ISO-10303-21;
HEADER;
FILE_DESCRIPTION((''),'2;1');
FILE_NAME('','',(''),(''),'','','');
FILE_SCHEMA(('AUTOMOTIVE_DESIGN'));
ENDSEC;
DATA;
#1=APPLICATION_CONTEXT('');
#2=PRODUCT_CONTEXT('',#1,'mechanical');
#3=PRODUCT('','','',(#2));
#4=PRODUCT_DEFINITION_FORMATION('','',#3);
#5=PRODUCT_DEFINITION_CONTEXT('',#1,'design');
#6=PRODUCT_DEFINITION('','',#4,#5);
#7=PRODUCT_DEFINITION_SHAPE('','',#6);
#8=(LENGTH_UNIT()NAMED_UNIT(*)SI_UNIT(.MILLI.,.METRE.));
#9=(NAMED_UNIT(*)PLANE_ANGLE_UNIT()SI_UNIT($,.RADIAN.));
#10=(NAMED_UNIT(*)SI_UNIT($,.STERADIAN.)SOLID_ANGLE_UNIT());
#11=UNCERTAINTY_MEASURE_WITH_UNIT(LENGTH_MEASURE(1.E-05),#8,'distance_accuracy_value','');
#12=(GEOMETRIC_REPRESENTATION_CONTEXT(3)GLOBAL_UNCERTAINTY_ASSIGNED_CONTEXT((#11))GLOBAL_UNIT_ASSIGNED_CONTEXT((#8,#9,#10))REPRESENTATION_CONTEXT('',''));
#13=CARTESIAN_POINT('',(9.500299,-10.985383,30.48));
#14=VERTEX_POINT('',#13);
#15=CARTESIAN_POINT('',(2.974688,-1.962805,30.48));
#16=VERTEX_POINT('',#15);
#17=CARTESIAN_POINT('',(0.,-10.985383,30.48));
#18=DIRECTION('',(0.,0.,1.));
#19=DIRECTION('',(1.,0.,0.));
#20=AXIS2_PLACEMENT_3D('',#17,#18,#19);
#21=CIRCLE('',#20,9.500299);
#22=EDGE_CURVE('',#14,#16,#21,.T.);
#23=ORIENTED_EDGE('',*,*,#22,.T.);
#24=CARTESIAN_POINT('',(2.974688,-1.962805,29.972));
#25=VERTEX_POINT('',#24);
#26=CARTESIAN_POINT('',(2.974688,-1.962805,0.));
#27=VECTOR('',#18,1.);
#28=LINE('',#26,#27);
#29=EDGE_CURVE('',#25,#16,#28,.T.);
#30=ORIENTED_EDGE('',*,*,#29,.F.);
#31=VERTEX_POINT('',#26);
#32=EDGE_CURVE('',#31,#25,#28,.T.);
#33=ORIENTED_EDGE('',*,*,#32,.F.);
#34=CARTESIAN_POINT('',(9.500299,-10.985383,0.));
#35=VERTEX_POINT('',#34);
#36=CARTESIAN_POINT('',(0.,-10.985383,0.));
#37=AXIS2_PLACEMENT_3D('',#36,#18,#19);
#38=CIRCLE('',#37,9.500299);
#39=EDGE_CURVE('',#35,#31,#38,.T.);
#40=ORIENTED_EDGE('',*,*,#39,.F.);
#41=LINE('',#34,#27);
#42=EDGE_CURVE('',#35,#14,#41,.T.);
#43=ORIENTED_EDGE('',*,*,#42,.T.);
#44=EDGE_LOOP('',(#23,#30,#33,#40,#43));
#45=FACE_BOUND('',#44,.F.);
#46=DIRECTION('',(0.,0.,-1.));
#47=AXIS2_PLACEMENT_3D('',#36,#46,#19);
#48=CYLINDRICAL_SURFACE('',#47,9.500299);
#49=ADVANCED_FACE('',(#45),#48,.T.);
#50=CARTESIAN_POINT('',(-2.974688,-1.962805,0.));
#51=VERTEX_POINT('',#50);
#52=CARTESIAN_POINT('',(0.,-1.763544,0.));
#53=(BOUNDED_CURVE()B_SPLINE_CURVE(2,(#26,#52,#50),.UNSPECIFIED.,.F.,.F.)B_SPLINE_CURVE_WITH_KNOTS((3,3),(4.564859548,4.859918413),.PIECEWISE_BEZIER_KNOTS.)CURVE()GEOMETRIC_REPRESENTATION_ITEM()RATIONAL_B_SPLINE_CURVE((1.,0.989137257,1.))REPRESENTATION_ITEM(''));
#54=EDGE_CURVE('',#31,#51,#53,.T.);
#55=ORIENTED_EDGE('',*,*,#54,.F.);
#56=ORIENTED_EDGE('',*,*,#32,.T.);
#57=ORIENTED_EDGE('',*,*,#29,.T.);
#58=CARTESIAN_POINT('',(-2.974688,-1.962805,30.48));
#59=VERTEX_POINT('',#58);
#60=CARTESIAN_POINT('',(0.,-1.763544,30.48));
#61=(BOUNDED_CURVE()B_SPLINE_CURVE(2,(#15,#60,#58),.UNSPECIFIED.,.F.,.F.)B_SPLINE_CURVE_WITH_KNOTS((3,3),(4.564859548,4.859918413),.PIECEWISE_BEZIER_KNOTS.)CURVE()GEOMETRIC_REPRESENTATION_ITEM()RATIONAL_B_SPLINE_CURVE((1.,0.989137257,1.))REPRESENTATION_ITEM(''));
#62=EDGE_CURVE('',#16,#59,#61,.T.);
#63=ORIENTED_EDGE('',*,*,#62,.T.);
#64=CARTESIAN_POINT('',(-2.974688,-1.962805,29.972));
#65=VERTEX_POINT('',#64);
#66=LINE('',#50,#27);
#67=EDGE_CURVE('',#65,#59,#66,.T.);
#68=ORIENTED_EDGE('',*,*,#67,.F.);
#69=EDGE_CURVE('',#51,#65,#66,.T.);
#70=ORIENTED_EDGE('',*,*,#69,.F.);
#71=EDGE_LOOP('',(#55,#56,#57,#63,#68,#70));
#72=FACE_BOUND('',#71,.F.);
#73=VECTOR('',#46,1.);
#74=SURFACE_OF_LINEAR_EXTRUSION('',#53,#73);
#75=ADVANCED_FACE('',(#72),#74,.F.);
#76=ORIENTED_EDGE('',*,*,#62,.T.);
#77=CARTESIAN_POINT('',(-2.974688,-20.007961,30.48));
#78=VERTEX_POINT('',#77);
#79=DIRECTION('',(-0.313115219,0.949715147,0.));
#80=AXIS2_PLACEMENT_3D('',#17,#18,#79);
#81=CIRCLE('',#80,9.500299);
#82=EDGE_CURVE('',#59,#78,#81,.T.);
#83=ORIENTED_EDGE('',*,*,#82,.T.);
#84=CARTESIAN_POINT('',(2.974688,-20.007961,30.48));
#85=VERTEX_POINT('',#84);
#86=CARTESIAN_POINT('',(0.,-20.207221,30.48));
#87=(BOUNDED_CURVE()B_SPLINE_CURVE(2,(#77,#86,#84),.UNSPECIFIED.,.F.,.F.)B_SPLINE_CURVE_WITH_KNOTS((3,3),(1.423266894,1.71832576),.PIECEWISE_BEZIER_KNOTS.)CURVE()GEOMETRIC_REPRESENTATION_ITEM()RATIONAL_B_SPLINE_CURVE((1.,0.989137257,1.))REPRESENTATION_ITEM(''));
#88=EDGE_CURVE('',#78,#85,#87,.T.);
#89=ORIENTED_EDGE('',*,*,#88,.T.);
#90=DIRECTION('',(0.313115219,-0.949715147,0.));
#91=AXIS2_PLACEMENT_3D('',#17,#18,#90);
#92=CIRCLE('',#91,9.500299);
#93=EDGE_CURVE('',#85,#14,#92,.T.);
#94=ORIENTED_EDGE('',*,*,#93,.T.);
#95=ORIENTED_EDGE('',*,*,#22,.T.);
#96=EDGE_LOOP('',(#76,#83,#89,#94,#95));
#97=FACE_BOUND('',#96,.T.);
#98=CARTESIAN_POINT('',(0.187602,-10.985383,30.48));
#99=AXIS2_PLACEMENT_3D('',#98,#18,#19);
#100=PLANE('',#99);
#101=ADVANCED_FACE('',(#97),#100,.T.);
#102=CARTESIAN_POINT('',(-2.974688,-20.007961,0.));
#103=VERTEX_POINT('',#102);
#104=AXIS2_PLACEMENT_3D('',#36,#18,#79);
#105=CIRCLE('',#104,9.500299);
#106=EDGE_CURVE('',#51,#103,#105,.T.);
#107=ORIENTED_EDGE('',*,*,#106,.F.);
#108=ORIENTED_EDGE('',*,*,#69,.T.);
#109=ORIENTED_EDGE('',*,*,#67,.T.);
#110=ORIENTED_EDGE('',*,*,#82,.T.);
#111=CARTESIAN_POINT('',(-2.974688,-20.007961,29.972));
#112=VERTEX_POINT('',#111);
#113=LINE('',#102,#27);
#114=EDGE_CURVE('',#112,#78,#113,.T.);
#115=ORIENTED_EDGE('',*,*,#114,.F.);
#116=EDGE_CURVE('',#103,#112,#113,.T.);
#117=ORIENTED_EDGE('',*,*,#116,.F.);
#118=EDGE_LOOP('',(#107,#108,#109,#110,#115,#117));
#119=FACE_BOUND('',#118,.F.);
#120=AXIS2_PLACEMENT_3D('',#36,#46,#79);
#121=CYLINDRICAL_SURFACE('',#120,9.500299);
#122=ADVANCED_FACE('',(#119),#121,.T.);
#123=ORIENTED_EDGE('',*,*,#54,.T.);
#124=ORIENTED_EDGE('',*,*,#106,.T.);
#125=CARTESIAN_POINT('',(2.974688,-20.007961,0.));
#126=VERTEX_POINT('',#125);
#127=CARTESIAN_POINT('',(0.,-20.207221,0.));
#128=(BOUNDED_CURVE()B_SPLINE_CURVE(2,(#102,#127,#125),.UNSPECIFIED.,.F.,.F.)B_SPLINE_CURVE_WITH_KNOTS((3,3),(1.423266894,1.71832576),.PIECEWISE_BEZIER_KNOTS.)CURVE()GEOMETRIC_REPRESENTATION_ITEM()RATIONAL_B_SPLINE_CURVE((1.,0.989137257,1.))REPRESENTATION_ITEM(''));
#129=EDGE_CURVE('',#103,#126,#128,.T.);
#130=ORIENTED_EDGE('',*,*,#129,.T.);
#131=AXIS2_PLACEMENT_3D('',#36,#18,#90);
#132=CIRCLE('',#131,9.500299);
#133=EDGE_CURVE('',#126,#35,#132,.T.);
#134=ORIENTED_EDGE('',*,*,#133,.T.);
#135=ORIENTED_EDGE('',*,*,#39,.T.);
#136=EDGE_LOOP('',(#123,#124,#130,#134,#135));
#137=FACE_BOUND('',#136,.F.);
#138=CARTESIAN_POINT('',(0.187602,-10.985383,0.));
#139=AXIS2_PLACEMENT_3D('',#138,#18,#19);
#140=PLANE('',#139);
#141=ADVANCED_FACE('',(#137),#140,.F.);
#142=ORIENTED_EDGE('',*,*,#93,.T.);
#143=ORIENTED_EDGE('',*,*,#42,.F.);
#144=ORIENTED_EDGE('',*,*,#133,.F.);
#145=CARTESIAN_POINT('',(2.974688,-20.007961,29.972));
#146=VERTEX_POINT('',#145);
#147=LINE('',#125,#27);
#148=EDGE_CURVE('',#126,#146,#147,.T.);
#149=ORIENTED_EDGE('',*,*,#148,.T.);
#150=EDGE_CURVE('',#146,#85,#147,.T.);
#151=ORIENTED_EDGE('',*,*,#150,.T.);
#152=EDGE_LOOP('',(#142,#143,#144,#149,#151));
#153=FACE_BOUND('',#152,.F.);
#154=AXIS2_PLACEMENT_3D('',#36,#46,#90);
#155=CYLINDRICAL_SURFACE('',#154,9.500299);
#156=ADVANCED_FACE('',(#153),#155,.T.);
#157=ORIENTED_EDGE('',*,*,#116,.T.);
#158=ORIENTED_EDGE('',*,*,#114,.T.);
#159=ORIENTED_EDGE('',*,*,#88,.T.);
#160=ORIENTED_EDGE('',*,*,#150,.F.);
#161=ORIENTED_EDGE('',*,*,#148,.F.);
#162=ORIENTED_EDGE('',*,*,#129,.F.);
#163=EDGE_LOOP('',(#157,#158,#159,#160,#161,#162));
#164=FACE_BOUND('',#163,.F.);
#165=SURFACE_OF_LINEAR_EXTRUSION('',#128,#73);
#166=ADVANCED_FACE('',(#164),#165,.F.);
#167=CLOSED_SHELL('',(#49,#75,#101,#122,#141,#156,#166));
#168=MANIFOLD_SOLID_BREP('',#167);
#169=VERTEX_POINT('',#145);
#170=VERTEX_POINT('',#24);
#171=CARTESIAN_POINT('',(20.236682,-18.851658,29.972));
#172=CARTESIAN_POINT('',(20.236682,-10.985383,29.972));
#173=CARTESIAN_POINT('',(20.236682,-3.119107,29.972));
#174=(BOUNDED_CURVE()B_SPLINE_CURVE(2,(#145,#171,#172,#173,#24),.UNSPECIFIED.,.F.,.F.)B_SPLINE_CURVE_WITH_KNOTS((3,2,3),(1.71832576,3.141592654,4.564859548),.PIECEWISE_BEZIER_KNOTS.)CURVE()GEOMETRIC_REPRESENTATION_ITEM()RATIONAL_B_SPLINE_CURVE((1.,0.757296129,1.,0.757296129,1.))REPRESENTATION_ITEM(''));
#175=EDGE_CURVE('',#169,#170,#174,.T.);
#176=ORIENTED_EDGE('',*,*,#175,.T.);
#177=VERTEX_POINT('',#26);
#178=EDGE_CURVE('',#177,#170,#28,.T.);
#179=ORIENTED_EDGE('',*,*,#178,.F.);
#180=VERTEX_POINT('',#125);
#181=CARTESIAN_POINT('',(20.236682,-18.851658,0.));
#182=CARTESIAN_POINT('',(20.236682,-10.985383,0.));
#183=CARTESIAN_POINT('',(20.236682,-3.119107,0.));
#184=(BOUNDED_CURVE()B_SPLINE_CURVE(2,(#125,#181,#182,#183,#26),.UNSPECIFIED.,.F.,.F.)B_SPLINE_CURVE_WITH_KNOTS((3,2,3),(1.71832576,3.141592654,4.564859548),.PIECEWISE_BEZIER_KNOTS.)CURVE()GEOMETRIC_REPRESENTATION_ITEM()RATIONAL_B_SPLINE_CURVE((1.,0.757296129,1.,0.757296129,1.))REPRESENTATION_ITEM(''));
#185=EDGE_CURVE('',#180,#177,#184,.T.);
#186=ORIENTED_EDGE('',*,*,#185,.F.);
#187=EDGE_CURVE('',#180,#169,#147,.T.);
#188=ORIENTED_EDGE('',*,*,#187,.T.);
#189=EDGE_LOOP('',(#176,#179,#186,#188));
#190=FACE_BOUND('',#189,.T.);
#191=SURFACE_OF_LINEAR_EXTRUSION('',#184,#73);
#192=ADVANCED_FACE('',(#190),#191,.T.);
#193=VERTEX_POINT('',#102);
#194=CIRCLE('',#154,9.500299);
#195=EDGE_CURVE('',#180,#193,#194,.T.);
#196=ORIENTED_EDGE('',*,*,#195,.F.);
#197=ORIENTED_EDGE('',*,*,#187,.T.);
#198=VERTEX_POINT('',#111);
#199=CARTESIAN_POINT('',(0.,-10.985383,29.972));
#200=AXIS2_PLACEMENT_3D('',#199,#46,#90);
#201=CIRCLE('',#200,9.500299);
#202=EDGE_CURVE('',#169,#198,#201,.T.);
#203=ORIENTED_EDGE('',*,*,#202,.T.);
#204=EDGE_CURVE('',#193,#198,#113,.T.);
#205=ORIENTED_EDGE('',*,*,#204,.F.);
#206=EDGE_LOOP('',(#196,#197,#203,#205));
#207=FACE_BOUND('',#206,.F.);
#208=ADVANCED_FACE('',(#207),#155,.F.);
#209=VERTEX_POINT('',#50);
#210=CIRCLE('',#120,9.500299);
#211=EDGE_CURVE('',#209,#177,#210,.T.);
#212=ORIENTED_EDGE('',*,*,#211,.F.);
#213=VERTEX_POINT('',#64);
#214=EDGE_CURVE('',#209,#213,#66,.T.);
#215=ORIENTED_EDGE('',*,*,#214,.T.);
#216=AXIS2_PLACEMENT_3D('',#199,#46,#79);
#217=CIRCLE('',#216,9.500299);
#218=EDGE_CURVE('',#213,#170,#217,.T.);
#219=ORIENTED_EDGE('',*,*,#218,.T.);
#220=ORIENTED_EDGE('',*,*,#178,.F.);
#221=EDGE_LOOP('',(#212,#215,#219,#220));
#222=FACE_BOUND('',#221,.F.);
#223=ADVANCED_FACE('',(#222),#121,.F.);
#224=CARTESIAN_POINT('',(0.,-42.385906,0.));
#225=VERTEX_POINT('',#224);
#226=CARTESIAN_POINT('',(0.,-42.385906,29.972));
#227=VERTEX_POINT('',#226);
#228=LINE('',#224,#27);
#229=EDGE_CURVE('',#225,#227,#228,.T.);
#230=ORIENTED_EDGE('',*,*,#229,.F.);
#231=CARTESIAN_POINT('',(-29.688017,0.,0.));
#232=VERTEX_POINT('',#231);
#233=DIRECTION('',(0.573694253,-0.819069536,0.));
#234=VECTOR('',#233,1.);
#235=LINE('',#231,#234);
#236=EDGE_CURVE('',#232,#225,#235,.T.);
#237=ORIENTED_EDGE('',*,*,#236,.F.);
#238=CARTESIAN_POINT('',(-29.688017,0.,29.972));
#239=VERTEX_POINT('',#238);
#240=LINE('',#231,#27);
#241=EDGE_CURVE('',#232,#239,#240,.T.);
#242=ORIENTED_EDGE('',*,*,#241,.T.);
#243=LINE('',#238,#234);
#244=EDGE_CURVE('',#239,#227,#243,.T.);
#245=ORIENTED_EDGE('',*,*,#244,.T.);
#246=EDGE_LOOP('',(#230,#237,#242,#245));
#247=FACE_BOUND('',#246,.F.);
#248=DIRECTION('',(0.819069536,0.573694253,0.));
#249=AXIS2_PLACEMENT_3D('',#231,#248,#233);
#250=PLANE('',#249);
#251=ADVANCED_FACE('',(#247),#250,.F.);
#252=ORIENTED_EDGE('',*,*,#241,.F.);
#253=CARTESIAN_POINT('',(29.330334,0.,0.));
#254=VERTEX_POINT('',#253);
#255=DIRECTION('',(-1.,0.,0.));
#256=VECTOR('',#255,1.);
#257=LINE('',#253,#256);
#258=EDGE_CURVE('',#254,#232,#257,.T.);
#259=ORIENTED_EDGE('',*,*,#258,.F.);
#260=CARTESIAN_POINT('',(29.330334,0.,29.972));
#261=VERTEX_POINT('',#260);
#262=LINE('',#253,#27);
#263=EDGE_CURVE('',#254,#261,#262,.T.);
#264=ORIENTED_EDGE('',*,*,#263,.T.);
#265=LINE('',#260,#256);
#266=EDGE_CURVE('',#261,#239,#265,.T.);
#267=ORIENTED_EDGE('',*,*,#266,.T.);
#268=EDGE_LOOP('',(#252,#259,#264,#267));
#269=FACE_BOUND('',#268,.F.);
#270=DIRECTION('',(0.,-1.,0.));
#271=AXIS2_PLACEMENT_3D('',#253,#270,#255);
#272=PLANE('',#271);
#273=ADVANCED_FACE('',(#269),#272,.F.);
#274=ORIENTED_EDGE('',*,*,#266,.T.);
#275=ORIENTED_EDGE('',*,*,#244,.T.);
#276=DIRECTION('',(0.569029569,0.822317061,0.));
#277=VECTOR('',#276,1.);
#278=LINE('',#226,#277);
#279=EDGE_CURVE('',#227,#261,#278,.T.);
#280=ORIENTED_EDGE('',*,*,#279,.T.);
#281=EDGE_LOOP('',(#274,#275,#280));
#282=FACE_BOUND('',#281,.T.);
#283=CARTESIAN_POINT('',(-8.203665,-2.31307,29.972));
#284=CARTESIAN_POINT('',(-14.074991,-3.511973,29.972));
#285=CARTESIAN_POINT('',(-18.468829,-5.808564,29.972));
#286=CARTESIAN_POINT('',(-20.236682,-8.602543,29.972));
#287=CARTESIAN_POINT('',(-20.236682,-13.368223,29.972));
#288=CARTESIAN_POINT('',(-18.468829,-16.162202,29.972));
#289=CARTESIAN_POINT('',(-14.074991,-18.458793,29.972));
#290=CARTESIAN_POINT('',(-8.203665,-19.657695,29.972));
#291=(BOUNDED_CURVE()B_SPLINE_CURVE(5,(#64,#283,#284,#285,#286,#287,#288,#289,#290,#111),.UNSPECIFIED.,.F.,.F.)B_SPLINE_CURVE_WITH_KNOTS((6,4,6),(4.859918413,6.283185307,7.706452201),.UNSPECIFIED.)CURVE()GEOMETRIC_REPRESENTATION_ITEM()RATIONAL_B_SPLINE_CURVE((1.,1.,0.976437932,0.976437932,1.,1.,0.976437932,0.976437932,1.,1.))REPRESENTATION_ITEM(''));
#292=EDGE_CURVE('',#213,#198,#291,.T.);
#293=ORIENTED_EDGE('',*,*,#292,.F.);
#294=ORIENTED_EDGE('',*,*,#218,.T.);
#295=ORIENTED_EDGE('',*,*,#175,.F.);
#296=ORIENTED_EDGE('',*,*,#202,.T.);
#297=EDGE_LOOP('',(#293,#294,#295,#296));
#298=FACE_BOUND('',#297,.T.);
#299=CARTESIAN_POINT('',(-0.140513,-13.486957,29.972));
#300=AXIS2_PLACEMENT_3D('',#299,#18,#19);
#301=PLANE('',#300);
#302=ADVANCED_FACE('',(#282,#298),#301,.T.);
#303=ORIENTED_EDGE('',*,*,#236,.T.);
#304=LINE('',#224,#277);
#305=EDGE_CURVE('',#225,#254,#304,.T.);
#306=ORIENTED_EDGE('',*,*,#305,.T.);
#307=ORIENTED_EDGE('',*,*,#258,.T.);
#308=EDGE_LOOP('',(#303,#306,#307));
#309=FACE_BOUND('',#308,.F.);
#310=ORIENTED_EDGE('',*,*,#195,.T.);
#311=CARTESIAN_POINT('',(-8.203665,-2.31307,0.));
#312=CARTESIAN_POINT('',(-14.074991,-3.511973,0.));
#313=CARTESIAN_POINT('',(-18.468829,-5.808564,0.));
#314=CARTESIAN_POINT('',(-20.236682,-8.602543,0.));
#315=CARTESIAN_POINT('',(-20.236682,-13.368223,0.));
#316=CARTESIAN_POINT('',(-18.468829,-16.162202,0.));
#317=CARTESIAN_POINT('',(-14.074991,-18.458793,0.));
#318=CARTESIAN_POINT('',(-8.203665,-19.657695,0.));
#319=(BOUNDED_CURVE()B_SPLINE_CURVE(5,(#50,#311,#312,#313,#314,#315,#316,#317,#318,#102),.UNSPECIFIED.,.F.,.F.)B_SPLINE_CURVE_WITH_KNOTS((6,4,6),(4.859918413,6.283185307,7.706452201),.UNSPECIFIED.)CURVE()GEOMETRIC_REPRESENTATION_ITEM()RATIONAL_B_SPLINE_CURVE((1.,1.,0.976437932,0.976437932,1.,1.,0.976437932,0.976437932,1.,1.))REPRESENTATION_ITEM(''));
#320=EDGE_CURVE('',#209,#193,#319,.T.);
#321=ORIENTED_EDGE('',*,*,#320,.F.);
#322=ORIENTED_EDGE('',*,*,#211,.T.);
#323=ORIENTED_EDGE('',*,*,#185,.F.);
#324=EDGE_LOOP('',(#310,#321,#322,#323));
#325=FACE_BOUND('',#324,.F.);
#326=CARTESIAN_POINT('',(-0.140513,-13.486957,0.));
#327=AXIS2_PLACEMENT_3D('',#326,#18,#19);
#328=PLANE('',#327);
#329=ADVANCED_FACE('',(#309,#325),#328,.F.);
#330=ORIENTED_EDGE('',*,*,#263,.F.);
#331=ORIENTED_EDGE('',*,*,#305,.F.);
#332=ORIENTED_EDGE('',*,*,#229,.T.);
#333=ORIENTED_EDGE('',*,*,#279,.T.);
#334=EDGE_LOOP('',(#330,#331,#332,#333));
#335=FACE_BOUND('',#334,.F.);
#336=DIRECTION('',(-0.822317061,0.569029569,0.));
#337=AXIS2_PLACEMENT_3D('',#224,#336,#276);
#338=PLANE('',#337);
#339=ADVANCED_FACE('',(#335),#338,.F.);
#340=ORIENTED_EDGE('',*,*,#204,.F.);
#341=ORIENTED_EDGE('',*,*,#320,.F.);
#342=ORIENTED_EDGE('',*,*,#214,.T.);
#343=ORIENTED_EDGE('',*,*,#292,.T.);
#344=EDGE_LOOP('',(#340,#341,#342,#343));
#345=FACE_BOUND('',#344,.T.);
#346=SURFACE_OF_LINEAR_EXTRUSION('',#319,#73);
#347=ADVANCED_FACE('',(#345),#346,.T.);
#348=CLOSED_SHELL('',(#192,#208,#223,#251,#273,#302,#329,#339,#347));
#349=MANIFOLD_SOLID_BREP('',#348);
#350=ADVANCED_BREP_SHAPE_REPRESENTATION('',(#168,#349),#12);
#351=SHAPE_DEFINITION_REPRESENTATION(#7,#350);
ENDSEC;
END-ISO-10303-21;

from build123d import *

# Parameters (mm, degrees)
F1_DEPTH = 29.972
F2_DEPTH = 30.48


with BuildPart() as f1:
    # F0 (on Top) → F1 (new body)
    with BuildSketch(Plane.XY):
        Polygon((0, -42.3859059811), (29.3303336948, 0), (-29.6880174428, 0), align=None)
        with BuildLine():
            add(Edge.make_bspline(
                [(-20.2366822645, -10.9853828326), (-20.2366822645, -18.8516584872), (-2.9746881475, -20.0079605257)],
                knots=[0, 0, 0, 1.4232668939, 1.4232668939, 1.4232668939], degree=2, weights=[1, 0.7572961289, 1]))
            add(Edge.make_bspline(
                [(-2.9746881475, -1.9628051395), (-20.2366822645, -3.119107178), (-20.2366822645, -10.9853828326)],
                knots=[4.8599184133, 4.8599184133, 4.8599184133, 6.2831853072, 6.2831853072, 6.2831853072], degree=2, weights=[1, 0.7572961289, 1]))
            ThreePointArc((-2.9746881475, -1.9628051395), (0, -1.4850840056), (2.9746881475, -1.9628051395))
            add(Edge.make_bspline(
                [(2.9746881475, -20.0079605257), (20.2366822645, -18.8516584872), (20.2366822645, -10.9853828326), (20.2366822645, -3.119107178), (2.9746881475, -1.9628051395)],
                knots=[1.7183257597, 1.7183257597, 1.7183257597, 3.1415926536, 3.1415926536, 4.5648595475, 4.5648595475, 4.5648595475], degree=2, weights=[1, 0.7572961289, 1, 0.7572961289, 1]))
            ThreePointArc((2.9746881475, -20.0079605257), (0, -20.4856816596), (-2.9746881475, -20.0079605257))
        make_face(mode=Mode.SUBTRACT)
    extrude(amount=F1_DEPTH)

    # F0 (on Top) → F2 (join)
    with BuildSketch(Plane.XY):
        with BuildLine():
            ThreePointArc((-2.9746881475, -1.9628051395), (-9.500298827, -10.9853828326), (-2.9746881475, -20.0079605257))
            add(Edge.make_bspline(
                [(-2.9746881475, -20.0079605257), (0, -20.20722128), (2.9746881475, -20.0079605257)],
                knots=[1.4232668939, 1.4232668939, 1.4232668939, 1.7183257597, 1.7183257597, 1.7183257597], degree=2, weights=[1, 0.9891372569, 1]))
            ThreePointArc((2.9746881475, -20.0079605257), (7.6979251789, -16.5529339767), (9.500298827, -10.9853828326))
            ThreePointArc((9.500298827, -10.9853828326), (7.6979251789, -5.4178316885), (2.9746881475, -1.9628051395))
            add(Edge.make_bspline(
                [(2.9746881475, -1.9628051395), (0, -1.7635443852), (-2.9746881475, -1.9628051395)],
                knots=[4.5648595475, 4.5648595475, 4.5648595475, 4.8599184133, 4.8599184133, 4.8599184133], degree=2, weights=[1, 0.9891372569, 1]))
        make_face()
    extrude(amount=F2_DEPTH)


solid = f1.part
